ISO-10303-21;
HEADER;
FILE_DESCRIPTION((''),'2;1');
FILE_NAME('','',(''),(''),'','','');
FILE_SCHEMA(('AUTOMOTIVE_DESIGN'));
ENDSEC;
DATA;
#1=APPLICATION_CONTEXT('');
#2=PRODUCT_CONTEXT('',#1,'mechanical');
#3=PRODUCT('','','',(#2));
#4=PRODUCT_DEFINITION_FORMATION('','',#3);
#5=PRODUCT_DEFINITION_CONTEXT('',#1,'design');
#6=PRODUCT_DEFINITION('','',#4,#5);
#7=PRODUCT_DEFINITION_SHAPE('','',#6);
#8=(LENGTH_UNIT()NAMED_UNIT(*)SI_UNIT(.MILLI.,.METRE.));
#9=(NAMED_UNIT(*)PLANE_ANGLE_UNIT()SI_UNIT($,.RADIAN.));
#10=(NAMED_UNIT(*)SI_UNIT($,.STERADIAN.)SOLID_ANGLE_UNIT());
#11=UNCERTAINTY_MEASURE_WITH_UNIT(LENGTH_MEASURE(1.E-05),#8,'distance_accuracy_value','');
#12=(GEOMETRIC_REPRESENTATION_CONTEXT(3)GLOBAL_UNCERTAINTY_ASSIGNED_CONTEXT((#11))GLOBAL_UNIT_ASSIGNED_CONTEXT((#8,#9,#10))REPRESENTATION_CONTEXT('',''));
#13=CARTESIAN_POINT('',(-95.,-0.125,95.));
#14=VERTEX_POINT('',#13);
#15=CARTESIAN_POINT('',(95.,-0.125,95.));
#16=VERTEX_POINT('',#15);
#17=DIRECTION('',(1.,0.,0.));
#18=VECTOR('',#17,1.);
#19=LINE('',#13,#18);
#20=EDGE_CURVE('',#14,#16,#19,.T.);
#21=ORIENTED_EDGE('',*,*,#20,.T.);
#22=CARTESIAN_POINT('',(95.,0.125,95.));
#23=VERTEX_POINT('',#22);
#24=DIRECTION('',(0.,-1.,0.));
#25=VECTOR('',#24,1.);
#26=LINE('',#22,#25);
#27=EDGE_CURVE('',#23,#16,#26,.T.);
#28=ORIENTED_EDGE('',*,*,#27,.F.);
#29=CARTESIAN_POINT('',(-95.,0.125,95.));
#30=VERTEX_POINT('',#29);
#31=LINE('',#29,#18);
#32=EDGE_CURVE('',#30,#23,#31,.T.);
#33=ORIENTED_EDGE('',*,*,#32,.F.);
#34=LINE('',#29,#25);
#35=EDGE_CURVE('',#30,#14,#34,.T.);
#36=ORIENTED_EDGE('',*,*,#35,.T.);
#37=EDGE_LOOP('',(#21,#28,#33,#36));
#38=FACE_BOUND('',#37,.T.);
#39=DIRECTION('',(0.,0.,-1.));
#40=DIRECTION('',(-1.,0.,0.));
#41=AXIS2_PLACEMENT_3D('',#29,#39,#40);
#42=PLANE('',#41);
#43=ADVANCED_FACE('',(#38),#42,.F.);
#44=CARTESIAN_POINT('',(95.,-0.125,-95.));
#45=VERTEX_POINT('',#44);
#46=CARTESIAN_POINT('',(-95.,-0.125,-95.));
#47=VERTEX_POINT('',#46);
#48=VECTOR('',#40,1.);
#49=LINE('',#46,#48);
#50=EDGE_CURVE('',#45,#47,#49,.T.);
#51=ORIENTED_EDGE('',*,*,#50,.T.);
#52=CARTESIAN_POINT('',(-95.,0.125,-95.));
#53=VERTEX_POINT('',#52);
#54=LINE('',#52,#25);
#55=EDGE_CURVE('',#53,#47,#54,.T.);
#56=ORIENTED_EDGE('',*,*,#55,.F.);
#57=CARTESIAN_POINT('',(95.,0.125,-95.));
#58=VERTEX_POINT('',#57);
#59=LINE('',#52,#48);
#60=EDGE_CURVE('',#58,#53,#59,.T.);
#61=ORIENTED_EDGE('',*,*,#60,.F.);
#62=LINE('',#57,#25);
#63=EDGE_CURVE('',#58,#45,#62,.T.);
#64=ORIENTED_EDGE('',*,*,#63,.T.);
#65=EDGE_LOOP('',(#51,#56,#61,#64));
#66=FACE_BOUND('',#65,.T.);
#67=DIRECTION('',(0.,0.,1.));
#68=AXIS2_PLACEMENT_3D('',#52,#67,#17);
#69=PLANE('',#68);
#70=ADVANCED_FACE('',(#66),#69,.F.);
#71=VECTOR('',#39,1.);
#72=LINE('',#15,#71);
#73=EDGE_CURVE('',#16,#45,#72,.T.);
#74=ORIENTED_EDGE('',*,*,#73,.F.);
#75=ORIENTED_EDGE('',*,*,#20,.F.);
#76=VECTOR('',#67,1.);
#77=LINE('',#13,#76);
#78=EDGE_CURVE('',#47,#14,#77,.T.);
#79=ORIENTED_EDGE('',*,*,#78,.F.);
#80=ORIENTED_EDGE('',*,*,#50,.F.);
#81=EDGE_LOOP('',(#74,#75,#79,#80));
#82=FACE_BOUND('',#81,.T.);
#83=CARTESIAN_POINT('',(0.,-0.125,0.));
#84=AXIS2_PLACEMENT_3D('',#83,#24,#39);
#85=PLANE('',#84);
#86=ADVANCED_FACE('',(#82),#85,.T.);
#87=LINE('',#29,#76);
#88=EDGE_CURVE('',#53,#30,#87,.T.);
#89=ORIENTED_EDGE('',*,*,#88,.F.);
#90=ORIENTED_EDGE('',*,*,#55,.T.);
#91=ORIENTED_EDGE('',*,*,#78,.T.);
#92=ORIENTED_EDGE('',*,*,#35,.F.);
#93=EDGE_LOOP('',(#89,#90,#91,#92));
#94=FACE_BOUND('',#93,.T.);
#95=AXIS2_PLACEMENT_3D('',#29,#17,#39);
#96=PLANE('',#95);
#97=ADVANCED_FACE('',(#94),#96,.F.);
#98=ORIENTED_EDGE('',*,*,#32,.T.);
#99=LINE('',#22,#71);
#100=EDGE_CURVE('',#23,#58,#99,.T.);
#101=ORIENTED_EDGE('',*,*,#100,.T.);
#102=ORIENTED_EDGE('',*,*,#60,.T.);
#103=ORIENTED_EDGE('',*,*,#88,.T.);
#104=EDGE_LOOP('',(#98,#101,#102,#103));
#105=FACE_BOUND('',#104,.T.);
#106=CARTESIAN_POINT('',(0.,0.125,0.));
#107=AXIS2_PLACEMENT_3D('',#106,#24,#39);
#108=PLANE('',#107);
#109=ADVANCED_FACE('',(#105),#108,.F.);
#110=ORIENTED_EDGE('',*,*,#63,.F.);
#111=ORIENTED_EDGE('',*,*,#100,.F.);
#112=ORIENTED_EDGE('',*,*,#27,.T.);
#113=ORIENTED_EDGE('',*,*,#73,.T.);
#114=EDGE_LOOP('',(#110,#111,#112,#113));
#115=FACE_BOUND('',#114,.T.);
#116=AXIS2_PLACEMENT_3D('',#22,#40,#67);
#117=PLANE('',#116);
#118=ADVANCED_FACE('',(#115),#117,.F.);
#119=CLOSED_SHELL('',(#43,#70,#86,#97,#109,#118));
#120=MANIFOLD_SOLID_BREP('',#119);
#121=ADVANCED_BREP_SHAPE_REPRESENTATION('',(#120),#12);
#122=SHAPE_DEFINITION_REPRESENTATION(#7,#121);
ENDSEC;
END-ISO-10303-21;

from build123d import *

# Parameters (mm, degrees)
SKETCH1_W           = 190
SKETCH1_H           = 190
BOSS_EXTRUDE1_DEPTH = 0.125


with BuildPart() as part:
    # Sketch1 → Boss-Extrude1 (new, symmetric)
    with BuildSketch(Plane(origin=(0, 0, 0), x_dir=(1, 0, 0), z_dir=(0, 1, 0))):
        Rectangle(SKETCH1_W, SKETCH1_H)
    extrude(amount=BOSS_EXTRUDE1_DEPTH, both=True)


solid = part.part
